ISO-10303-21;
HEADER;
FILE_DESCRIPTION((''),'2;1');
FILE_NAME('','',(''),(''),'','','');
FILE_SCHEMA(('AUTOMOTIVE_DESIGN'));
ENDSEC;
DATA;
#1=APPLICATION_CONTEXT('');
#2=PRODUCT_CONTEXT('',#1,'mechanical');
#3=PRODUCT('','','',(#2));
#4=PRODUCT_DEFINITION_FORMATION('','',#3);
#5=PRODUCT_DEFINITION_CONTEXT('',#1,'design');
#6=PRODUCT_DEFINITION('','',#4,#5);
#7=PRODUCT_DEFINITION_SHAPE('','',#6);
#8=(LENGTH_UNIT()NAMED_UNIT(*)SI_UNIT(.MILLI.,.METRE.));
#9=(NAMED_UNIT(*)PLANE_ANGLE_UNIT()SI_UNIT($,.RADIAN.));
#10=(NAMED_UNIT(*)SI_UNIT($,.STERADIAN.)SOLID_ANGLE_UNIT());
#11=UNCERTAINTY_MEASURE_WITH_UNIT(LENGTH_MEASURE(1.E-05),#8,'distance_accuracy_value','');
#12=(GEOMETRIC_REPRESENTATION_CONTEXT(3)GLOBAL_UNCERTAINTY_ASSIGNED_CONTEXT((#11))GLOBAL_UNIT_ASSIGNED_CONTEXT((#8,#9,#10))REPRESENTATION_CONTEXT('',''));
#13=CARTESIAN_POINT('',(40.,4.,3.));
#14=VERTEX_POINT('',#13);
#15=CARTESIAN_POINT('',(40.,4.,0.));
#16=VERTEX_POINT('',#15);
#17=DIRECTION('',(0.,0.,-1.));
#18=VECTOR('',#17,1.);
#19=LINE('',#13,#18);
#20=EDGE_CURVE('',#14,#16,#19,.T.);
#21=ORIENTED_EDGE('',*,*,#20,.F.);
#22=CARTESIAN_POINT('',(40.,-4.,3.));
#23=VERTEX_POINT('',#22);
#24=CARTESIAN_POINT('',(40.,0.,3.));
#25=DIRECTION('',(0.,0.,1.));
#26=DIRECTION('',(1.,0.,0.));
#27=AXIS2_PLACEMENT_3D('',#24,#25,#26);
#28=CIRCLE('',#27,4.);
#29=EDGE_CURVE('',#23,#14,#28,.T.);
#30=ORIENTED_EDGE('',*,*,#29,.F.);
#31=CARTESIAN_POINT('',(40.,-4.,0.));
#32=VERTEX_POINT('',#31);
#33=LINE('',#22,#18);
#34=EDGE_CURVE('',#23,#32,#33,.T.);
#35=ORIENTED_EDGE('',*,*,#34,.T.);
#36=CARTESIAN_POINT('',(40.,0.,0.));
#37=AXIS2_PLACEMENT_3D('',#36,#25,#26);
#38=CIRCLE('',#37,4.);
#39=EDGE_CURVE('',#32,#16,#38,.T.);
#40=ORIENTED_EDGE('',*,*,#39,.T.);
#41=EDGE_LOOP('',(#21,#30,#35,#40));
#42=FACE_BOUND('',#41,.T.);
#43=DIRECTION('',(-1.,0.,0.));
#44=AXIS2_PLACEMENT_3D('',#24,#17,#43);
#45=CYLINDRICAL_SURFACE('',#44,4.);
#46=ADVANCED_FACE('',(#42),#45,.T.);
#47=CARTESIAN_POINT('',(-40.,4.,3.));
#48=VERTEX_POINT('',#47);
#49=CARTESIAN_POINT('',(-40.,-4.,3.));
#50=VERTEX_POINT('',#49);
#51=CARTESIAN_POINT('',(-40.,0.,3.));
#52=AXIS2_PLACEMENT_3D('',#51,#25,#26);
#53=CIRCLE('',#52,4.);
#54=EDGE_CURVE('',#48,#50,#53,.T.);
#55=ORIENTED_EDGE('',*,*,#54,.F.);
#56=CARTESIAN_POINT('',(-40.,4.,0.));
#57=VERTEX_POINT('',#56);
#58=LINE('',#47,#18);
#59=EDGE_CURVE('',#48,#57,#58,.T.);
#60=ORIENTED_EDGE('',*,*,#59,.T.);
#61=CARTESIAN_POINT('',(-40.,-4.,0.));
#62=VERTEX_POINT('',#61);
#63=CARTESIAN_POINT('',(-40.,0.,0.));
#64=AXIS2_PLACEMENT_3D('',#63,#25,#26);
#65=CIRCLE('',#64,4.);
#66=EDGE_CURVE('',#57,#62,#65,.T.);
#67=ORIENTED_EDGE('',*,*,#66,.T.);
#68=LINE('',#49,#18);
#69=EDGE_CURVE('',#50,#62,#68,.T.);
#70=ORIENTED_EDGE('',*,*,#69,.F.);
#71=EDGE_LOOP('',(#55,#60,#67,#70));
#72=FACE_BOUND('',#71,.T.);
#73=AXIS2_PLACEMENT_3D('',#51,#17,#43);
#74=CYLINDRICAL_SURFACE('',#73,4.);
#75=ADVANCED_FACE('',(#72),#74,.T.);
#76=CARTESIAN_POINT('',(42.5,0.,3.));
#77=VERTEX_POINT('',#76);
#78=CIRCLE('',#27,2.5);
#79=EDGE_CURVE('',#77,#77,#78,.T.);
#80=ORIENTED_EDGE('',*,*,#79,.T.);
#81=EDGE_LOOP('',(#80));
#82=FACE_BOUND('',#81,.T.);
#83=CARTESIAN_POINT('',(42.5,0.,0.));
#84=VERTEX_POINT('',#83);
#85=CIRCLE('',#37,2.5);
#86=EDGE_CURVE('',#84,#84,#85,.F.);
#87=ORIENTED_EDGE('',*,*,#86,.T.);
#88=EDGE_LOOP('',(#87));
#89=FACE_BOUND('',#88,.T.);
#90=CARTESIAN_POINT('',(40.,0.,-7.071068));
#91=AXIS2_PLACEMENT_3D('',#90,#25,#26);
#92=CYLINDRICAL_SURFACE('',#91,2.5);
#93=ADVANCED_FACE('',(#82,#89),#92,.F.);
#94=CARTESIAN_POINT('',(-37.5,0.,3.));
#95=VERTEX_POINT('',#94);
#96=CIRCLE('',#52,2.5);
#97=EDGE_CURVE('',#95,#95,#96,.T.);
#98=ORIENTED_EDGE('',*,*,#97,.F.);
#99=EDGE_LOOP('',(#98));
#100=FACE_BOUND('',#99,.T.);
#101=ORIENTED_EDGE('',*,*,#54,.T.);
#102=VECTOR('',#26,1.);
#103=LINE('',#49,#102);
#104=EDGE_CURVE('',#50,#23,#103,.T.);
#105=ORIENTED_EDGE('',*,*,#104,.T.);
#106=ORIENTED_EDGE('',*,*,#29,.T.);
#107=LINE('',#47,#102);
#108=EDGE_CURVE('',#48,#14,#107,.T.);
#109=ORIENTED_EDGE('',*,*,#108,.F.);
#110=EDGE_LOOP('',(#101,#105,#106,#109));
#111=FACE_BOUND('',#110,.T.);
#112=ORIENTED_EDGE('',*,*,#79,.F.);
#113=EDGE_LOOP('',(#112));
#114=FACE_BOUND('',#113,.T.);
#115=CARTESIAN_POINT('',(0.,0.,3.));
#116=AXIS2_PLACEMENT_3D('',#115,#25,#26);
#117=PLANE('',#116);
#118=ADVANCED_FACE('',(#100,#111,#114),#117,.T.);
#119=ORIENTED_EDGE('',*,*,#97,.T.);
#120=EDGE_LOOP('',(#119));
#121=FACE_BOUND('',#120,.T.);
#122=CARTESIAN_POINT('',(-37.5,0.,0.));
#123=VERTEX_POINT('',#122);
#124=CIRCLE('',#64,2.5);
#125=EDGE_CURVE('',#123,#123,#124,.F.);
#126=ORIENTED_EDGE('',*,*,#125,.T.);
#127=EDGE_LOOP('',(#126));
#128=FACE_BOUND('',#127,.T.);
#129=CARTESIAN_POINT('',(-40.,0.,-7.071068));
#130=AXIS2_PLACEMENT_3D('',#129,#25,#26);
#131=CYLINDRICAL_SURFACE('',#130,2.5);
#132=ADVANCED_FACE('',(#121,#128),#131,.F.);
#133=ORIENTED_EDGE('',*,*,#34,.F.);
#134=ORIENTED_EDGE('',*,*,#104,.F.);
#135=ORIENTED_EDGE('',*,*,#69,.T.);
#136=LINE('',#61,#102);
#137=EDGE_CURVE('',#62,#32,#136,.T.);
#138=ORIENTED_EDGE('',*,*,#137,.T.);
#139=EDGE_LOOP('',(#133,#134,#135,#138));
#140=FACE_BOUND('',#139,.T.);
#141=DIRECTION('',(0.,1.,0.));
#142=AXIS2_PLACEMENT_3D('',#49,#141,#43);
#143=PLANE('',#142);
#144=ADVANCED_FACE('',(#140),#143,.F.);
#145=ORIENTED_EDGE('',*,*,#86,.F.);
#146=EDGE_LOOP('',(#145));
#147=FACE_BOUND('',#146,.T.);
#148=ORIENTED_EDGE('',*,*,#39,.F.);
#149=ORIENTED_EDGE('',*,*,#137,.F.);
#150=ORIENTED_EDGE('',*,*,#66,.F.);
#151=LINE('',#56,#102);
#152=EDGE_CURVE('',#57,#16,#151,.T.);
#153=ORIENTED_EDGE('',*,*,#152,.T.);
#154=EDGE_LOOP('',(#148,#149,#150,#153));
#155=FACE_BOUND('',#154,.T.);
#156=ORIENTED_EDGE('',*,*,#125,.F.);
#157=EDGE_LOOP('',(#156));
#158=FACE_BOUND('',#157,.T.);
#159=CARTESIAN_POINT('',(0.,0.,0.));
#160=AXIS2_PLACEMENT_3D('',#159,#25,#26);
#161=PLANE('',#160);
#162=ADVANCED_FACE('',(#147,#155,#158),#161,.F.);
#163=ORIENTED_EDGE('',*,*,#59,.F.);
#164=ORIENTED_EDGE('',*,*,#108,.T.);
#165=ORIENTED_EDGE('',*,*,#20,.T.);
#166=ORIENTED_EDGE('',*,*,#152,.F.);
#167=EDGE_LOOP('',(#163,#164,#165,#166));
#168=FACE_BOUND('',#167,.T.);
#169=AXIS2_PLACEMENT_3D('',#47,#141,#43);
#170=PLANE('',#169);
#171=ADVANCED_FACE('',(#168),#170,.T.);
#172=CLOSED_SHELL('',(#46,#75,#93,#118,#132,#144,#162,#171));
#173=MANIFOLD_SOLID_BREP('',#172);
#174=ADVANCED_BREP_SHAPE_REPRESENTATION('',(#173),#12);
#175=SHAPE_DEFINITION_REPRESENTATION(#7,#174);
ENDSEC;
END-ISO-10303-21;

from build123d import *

# Parameters (mm, degrees)
SKETCH1_R           = 4
SKETCH1_W           = 80
SKETCH1_H           = 8
BOSS_EXTRUDE1_DEPTH = 3
SKETCH2_R           = 2.5
CUT_EXTRUDE1_DEPTH  = 3


with BuildPart() as part:
    # Sketch1 → Boss-Extrude1 (new body)
    with BuildSketch(Plane.XY):
        with Locations((-40, 0)):
            Circle(SKETCH1_R)
        with Locations((40, 0)):
            Circle(SKETCH1_R)
        Rectangle(SKETCH1_W, SKETCH1_H)
    extrude(amount=BOSS_EXTRUDE1_DEPTH)

    # Sketch2 → Cut-Extrude1 (cut)
    with BuildSketch(Plane.XY.offset(3)):
        with Locations((-40, 0)):
            Circle(SKETCH2_R)
        with Locations((40, 0)):
            Circle(SKETCH2_R)
    extrude(amount=-CUT_EXTRUDE1_DEPTH, mode=Mode.SUBTRACT)


solid = part.part
